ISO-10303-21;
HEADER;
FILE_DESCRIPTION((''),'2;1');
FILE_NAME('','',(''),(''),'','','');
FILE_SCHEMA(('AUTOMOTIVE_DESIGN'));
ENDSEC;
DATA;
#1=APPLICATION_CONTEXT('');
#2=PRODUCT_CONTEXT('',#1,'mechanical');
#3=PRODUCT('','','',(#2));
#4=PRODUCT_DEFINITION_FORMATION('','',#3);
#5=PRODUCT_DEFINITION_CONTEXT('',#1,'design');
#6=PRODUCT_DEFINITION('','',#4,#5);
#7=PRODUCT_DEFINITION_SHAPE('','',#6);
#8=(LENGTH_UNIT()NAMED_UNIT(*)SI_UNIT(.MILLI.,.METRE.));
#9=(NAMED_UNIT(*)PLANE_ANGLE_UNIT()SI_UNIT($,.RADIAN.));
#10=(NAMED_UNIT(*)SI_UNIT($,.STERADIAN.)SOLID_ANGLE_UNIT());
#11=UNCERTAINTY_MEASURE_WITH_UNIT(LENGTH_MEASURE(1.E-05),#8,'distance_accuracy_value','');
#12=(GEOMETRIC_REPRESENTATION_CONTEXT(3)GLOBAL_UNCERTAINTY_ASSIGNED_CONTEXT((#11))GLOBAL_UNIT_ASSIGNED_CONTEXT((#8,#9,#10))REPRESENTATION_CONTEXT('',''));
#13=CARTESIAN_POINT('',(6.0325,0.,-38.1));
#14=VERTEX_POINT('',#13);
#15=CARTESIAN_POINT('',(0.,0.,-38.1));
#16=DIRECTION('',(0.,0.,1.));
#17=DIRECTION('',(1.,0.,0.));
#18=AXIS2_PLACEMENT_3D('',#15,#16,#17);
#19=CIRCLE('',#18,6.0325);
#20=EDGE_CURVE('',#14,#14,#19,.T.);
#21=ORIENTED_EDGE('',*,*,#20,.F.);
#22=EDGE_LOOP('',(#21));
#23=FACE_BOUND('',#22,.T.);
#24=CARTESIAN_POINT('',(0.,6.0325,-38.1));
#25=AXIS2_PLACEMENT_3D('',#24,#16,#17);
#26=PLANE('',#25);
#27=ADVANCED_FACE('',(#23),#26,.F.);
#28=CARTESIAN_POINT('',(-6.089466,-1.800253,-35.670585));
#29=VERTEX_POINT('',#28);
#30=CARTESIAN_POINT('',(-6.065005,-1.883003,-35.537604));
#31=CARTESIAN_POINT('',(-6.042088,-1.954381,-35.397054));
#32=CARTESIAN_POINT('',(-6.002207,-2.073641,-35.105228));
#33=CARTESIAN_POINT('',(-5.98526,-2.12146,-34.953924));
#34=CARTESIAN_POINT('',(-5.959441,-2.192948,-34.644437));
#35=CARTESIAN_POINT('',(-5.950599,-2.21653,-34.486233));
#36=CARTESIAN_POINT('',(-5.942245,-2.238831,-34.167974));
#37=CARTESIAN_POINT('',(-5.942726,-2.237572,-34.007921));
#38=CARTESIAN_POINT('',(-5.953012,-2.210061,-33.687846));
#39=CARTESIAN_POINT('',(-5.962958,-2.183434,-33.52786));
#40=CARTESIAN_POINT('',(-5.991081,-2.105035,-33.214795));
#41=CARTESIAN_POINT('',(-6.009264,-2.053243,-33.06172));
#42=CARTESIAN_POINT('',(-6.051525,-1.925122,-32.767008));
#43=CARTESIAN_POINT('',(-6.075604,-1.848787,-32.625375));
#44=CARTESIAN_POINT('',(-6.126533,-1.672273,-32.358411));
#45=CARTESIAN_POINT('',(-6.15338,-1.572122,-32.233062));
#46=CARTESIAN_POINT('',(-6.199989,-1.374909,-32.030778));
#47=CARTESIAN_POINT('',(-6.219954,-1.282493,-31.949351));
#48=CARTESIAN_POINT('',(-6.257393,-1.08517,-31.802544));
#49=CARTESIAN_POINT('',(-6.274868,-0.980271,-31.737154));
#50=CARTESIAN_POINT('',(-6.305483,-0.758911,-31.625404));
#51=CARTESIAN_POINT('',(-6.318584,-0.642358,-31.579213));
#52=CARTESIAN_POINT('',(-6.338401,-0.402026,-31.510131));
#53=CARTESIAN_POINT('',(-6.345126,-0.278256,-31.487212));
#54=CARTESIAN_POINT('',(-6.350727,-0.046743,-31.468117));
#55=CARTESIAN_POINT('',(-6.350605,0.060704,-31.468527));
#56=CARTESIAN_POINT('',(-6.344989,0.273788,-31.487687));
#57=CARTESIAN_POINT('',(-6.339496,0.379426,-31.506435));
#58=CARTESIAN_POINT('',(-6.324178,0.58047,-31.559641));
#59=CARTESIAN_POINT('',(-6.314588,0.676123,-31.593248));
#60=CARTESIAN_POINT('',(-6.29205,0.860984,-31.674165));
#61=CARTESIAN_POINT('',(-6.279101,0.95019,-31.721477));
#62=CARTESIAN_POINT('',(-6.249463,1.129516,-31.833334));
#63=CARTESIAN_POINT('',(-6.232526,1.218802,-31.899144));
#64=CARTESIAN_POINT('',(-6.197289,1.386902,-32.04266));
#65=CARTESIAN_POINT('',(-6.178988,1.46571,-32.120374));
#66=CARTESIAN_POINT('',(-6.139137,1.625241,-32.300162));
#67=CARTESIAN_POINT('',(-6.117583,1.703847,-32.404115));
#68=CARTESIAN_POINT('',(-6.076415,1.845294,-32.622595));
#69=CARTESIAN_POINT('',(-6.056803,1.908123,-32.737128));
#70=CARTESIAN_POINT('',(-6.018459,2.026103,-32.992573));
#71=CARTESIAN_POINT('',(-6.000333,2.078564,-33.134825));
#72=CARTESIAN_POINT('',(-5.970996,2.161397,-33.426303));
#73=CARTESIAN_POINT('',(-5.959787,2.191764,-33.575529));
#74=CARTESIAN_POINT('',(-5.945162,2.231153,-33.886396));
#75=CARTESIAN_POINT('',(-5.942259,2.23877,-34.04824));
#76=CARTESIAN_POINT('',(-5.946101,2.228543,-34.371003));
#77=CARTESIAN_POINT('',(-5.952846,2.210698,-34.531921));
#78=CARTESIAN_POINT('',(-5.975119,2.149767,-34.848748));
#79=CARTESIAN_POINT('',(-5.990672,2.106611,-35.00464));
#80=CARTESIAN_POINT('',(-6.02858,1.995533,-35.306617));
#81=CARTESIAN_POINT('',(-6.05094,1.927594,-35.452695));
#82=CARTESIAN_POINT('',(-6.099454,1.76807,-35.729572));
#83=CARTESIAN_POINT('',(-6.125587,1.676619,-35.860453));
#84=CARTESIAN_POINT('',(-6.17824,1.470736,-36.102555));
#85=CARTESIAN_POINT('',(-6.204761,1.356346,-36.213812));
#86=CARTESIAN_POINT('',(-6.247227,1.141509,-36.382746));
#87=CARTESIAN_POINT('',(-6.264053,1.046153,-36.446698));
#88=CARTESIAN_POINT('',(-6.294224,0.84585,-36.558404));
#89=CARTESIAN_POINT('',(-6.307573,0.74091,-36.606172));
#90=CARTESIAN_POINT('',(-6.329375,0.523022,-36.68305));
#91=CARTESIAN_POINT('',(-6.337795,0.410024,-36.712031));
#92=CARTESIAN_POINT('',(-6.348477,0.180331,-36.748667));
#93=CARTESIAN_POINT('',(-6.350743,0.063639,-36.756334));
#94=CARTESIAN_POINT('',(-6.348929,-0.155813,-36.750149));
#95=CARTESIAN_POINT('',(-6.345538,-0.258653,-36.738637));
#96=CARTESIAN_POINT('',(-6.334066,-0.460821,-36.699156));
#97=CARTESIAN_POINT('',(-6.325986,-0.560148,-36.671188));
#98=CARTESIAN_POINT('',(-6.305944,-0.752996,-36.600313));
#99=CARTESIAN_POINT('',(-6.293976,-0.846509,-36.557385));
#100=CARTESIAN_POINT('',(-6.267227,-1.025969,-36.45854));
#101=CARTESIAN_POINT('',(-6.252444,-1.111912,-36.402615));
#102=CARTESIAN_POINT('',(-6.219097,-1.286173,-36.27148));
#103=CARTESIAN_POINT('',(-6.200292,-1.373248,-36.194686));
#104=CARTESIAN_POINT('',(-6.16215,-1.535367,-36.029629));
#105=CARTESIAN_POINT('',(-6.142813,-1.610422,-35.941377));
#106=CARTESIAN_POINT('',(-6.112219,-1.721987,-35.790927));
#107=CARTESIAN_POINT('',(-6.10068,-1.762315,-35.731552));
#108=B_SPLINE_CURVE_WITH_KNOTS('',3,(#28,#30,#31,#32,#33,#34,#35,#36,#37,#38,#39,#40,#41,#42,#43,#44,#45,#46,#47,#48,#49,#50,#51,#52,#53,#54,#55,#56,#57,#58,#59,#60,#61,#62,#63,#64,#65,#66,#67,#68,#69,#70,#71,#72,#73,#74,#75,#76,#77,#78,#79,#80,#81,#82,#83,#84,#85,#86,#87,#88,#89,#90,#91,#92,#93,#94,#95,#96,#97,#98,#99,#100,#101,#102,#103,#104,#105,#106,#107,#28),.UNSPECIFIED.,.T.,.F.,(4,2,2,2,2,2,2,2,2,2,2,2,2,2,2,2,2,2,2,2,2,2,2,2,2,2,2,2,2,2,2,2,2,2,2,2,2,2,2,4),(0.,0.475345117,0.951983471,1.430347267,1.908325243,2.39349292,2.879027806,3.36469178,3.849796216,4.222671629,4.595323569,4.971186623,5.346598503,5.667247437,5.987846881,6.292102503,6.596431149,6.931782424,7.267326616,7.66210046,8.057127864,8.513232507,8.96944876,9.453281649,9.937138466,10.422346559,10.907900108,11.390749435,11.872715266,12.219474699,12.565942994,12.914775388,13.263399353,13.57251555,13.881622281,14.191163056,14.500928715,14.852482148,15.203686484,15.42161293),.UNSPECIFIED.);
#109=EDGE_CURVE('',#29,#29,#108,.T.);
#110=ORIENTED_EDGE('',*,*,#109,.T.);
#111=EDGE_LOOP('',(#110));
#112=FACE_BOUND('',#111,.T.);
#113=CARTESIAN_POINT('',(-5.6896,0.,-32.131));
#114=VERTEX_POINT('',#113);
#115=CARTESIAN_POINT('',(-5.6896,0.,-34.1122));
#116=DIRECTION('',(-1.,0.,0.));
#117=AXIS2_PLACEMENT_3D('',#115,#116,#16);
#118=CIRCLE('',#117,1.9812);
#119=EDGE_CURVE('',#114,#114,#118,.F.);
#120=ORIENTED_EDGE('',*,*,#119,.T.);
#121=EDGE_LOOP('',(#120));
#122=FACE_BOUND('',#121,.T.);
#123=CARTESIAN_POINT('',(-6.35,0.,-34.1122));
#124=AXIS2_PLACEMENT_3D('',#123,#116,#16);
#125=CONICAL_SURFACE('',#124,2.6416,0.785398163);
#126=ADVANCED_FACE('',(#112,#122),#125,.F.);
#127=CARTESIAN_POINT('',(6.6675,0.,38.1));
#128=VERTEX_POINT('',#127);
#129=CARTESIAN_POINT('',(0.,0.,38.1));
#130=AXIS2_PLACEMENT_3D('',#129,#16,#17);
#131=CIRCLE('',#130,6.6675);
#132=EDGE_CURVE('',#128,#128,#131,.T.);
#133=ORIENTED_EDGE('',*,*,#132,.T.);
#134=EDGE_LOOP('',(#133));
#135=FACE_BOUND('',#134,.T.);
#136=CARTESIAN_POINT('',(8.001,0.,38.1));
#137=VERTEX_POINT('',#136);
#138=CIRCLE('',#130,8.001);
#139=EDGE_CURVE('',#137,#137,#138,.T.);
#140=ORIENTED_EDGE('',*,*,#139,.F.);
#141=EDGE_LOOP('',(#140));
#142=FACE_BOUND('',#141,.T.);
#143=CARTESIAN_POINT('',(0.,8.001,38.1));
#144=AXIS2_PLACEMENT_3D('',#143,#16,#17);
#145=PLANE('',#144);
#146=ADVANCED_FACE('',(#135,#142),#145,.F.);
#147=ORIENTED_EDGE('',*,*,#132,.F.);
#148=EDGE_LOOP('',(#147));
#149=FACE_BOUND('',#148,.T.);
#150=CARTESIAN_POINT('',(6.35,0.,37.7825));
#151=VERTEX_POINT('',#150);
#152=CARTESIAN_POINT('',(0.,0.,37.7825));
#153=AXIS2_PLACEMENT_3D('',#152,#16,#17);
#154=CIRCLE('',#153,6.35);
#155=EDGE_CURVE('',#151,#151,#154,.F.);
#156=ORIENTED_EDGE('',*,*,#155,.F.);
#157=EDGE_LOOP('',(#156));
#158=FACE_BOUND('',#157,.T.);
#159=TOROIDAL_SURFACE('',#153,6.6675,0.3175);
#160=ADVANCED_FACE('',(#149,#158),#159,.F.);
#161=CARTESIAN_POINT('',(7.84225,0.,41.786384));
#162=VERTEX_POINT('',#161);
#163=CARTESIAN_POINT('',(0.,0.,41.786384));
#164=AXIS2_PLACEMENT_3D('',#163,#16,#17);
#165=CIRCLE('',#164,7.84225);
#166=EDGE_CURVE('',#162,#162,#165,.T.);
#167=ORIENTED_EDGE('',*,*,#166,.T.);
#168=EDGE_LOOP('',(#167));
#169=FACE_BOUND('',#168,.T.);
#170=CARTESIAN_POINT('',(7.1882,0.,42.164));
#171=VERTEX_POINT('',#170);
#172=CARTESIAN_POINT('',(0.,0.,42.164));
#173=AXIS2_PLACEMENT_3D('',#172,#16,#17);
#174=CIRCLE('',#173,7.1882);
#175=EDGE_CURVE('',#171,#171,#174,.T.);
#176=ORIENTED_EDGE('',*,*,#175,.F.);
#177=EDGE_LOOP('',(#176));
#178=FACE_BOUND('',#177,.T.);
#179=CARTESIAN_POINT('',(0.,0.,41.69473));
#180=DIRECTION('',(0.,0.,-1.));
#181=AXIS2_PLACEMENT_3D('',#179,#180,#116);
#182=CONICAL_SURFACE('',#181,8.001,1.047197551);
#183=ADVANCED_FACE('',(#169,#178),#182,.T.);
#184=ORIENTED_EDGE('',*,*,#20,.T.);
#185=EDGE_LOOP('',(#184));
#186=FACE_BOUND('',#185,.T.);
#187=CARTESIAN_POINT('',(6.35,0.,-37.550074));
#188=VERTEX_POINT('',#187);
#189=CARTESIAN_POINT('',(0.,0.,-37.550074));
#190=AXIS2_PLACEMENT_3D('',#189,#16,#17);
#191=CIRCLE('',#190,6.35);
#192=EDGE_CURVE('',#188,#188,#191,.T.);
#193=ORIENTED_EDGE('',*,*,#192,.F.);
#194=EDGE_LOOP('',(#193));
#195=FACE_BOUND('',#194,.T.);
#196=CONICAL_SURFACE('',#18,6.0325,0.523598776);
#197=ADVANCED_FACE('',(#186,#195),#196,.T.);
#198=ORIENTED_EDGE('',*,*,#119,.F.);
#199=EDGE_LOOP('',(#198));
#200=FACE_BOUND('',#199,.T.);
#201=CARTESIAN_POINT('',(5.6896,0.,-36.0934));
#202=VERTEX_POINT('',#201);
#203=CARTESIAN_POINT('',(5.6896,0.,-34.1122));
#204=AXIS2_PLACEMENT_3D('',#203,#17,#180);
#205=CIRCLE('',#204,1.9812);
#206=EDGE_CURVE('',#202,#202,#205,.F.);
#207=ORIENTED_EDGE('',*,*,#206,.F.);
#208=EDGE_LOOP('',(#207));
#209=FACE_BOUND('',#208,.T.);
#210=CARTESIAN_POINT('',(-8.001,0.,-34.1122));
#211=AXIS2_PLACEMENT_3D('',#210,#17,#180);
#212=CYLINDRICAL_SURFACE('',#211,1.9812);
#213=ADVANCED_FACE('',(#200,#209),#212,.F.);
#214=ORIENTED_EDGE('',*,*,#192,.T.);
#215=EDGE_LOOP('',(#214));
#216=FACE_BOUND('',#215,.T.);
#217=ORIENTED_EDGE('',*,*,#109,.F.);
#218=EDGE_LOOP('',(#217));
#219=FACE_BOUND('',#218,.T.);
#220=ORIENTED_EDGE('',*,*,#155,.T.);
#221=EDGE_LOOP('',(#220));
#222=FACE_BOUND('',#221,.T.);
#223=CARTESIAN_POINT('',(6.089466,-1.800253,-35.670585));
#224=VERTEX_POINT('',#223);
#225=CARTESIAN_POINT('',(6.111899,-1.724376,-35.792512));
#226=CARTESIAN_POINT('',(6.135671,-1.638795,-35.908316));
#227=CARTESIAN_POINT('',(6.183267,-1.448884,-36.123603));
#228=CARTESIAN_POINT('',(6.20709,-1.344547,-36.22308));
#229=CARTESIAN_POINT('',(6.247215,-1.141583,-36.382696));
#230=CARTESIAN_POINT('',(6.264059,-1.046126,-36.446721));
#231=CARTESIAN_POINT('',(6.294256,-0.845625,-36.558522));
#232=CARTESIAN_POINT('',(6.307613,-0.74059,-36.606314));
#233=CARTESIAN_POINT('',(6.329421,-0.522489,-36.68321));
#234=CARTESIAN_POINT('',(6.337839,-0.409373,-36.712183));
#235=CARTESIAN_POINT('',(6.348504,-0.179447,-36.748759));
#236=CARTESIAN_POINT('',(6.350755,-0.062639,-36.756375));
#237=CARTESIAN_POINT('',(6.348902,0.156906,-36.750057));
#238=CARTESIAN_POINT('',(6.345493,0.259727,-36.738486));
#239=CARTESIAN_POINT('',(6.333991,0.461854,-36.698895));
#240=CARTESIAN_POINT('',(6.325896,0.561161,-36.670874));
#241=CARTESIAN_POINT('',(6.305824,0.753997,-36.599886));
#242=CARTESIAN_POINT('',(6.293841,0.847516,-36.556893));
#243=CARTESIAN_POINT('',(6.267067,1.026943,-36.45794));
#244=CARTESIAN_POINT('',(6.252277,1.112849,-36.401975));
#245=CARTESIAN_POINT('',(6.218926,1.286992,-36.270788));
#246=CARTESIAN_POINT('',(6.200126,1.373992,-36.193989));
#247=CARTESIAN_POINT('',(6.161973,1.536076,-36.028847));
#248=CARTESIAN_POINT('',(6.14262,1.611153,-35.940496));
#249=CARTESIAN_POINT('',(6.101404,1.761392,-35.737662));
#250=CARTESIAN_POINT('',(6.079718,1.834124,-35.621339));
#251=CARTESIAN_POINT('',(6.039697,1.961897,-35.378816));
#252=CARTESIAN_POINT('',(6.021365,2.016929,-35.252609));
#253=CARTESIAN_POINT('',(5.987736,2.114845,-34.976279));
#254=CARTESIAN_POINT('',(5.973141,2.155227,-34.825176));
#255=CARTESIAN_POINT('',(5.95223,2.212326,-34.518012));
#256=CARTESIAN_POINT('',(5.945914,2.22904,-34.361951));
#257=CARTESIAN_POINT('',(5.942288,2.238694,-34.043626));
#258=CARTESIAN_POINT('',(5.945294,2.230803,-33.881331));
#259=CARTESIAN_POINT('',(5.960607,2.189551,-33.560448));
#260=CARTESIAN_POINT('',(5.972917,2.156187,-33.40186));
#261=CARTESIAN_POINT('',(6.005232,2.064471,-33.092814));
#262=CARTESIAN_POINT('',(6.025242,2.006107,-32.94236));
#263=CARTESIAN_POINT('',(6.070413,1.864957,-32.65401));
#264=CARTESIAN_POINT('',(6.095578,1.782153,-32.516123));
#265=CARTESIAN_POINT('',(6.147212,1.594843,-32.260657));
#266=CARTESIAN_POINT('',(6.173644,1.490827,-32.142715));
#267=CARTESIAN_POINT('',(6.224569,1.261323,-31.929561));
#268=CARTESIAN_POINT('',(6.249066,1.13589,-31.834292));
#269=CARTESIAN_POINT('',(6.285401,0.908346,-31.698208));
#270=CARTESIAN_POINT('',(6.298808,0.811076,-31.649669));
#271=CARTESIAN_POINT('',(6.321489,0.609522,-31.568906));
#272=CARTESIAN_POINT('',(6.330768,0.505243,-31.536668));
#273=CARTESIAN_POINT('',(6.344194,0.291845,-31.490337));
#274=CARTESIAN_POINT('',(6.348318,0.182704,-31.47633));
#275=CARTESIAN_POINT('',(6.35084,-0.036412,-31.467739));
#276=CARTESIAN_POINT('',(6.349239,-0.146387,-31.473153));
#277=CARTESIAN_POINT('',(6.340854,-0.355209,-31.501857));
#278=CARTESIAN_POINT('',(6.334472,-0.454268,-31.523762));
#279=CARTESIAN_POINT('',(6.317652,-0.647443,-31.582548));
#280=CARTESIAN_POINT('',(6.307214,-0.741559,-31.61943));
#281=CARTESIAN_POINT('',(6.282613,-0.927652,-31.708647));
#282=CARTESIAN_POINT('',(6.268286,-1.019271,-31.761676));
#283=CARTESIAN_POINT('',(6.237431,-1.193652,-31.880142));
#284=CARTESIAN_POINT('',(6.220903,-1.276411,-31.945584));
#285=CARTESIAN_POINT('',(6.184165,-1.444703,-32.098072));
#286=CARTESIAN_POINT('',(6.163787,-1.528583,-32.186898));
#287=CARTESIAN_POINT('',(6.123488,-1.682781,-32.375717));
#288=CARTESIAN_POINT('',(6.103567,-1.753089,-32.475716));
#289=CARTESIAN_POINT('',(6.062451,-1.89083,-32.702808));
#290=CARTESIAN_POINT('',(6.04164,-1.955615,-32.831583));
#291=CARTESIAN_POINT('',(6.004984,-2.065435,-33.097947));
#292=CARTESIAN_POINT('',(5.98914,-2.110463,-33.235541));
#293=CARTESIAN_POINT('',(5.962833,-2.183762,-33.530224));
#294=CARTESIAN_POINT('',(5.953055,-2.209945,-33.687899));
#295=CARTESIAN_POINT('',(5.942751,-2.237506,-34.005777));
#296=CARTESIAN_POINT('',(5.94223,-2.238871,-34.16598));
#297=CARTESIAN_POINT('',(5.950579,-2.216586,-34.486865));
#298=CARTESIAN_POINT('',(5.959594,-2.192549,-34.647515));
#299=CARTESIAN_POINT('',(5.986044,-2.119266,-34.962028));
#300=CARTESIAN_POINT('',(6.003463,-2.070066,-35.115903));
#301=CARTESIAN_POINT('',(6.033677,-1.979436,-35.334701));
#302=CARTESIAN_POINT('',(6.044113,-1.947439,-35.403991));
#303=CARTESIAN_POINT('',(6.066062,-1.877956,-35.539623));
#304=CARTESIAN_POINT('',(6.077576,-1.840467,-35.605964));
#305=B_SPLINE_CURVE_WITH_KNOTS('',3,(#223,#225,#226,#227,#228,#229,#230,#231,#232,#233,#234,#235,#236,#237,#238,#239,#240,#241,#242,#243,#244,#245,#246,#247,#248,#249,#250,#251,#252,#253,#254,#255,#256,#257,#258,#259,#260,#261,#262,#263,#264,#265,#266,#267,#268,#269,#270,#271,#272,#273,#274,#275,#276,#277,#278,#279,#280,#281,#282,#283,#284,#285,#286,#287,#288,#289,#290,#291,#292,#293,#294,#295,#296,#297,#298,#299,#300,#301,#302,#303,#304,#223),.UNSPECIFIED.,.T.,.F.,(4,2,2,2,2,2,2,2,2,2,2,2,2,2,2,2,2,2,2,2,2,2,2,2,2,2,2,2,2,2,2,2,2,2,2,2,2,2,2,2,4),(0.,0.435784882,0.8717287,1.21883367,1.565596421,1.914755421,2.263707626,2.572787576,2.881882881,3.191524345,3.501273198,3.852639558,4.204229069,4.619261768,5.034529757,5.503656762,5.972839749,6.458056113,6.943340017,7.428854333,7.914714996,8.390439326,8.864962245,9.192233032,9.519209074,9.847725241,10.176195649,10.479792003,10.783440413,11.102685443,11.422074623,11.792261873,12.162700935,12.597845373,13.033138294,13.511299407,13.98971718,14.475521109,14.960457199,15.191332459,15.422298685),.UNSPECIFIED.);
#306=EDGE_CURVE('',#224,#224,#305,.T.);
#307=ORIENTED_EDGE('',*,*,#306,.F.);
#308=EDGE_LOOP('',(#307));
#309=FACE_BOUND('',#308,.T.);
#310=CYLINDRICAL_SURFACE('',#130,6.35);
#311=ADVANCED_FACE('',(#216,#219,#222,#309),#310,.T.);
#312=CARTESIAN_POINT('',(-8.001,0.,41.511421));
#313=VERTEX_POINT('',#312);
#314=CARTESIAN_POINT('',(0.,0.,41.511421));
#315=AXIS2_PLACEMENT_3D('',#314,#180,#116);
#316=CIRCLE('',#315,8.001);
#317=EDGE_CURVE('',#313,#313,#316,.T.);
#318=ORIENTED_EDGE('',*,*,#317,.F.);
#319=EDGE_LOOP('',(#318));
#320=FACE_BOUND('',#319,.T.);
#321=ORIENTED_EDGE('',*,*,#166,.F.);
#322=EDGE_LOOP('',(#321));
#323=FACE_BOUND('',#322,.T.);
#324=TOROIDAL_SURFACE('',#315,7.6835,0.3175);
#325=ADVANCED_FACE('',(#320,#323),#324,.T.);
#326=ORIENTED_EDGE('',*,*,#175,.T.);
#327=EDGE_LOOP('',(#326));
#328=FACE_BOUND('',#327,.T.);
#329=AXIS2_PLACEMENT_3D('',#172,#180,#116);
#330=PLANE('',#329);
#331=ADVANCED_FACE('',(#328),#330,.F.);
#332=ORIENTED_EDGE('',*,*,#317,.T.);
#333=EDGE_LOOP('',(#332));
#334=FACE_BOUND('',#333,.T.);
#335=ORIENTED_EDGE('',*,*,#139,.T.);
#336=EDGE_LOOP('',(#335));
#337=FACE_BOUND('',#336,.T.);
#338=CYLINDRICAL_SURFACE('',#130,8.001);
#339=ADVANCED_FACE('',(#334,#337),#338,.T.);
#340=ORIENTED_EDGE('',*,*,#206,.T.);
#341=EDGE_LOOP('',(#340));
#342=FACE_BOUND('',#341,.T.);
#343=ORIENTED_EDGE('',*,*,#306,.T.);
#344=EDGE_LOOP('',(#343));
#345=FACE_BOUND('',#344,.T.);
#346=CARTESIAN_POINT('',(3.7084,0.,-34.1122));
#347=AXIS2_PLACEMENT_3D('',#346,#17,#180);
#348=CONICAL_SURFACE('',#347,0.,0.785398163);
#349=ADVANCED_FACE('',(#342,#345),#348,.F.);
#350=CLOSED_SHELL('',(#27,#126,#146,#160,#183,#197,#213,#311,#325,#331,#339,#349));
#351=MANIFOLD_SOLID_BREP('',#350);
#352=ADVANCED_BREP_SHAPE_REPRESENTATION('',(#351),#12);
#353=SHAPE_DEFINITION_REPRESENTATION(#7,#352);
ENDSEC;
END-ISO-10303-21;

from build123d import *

# Parameters (mm, degrees)
CUT_EXTRUDE1_DEPTH      = 44.655868998
CUT_EXTRUDE1_DEPTH_BACK = 44.655868998
SKETCH3_R               = 1.9812
FILLET1_R               = 0.3175


with BuildPart() as part:
    # Sketch2 → Revolve1 (revolve)
    with BuildSketch(Plane(origin=(0, 0, 0), x_dir=(0, 0, -1), z_dir=(1, 0, 0)), mode=Mode.PRIVATE) as revolve1_sk:
        Polygon((38.1, 6.0325), (38.1, 0), (-42.164, 0), (-42.164, 7.1882), (-41.694729701, 8.001), (-38.1, 8.001), (-38.1, 6.35), (37.550073869, 6.35), align=None)
    revolve(revolve1_sk.sketch.rotate(Axis((0, 0, 38.1), (0, 0, -1)), 90), axis=Axis((0, 0, 38.1), (0, 0, -1)))

    # Sketch3 → Cut-Extrude1 (cut, two sides: drawn at the far end of the back side and taken through both)
    with BuildSketch(Plane(origin=(0, 0, 0), x_dir=(0, 0, -1), z_dir=(1, 0, 0)).offset(-CUT_EXTRUDE1_DEPTH_BACK)):
        with Locations((34.1122, 0)):
            Circle(SKETCH3_R)
    extrude(amount=CUT_EXTRUDE1_DEPTH + CUT_EXTRUDE1_DEPTH_BACK, mode=Mode.SUBTRACT)

    # Fillet1
    fillet1_edges = [part.edges().sort_by_distance(p)[0] for p in [
        (-8.001, 0, 41.694729701),
        (-6.35, 0, 38.1),
    ]]
    fillet(fillet1_edges, radius=FILLET1_R)

    # Sketch4 → Cut-Revolve1 (revolve, cut)
    with BuildSketch(Plane(origin=(0, 0, 0), x_dir=(1, 0, 0), z_dir=(0, 1, 0)), mode=Mode.PRIVATE) as cut_revolve1_sk:
        Polygon((6.35, 34.1122), (6.35, 31.4706), (3.7084, 34.1122), align=None)
        Polygon((-6.35, 31.4706), (-3.7084, 34.1122), (-6.35, 34.1122), align=None)
    revolve(cut_revolve1_sk.sketch.rotate(Axis((6.35, 0, -34.1122), (-1, 0, 0)), 180), axis=Axis((6.35, 0, -34.1122), (-1, 0, 0)), mode=Mode.SUBTRACT)


solid = part.part
